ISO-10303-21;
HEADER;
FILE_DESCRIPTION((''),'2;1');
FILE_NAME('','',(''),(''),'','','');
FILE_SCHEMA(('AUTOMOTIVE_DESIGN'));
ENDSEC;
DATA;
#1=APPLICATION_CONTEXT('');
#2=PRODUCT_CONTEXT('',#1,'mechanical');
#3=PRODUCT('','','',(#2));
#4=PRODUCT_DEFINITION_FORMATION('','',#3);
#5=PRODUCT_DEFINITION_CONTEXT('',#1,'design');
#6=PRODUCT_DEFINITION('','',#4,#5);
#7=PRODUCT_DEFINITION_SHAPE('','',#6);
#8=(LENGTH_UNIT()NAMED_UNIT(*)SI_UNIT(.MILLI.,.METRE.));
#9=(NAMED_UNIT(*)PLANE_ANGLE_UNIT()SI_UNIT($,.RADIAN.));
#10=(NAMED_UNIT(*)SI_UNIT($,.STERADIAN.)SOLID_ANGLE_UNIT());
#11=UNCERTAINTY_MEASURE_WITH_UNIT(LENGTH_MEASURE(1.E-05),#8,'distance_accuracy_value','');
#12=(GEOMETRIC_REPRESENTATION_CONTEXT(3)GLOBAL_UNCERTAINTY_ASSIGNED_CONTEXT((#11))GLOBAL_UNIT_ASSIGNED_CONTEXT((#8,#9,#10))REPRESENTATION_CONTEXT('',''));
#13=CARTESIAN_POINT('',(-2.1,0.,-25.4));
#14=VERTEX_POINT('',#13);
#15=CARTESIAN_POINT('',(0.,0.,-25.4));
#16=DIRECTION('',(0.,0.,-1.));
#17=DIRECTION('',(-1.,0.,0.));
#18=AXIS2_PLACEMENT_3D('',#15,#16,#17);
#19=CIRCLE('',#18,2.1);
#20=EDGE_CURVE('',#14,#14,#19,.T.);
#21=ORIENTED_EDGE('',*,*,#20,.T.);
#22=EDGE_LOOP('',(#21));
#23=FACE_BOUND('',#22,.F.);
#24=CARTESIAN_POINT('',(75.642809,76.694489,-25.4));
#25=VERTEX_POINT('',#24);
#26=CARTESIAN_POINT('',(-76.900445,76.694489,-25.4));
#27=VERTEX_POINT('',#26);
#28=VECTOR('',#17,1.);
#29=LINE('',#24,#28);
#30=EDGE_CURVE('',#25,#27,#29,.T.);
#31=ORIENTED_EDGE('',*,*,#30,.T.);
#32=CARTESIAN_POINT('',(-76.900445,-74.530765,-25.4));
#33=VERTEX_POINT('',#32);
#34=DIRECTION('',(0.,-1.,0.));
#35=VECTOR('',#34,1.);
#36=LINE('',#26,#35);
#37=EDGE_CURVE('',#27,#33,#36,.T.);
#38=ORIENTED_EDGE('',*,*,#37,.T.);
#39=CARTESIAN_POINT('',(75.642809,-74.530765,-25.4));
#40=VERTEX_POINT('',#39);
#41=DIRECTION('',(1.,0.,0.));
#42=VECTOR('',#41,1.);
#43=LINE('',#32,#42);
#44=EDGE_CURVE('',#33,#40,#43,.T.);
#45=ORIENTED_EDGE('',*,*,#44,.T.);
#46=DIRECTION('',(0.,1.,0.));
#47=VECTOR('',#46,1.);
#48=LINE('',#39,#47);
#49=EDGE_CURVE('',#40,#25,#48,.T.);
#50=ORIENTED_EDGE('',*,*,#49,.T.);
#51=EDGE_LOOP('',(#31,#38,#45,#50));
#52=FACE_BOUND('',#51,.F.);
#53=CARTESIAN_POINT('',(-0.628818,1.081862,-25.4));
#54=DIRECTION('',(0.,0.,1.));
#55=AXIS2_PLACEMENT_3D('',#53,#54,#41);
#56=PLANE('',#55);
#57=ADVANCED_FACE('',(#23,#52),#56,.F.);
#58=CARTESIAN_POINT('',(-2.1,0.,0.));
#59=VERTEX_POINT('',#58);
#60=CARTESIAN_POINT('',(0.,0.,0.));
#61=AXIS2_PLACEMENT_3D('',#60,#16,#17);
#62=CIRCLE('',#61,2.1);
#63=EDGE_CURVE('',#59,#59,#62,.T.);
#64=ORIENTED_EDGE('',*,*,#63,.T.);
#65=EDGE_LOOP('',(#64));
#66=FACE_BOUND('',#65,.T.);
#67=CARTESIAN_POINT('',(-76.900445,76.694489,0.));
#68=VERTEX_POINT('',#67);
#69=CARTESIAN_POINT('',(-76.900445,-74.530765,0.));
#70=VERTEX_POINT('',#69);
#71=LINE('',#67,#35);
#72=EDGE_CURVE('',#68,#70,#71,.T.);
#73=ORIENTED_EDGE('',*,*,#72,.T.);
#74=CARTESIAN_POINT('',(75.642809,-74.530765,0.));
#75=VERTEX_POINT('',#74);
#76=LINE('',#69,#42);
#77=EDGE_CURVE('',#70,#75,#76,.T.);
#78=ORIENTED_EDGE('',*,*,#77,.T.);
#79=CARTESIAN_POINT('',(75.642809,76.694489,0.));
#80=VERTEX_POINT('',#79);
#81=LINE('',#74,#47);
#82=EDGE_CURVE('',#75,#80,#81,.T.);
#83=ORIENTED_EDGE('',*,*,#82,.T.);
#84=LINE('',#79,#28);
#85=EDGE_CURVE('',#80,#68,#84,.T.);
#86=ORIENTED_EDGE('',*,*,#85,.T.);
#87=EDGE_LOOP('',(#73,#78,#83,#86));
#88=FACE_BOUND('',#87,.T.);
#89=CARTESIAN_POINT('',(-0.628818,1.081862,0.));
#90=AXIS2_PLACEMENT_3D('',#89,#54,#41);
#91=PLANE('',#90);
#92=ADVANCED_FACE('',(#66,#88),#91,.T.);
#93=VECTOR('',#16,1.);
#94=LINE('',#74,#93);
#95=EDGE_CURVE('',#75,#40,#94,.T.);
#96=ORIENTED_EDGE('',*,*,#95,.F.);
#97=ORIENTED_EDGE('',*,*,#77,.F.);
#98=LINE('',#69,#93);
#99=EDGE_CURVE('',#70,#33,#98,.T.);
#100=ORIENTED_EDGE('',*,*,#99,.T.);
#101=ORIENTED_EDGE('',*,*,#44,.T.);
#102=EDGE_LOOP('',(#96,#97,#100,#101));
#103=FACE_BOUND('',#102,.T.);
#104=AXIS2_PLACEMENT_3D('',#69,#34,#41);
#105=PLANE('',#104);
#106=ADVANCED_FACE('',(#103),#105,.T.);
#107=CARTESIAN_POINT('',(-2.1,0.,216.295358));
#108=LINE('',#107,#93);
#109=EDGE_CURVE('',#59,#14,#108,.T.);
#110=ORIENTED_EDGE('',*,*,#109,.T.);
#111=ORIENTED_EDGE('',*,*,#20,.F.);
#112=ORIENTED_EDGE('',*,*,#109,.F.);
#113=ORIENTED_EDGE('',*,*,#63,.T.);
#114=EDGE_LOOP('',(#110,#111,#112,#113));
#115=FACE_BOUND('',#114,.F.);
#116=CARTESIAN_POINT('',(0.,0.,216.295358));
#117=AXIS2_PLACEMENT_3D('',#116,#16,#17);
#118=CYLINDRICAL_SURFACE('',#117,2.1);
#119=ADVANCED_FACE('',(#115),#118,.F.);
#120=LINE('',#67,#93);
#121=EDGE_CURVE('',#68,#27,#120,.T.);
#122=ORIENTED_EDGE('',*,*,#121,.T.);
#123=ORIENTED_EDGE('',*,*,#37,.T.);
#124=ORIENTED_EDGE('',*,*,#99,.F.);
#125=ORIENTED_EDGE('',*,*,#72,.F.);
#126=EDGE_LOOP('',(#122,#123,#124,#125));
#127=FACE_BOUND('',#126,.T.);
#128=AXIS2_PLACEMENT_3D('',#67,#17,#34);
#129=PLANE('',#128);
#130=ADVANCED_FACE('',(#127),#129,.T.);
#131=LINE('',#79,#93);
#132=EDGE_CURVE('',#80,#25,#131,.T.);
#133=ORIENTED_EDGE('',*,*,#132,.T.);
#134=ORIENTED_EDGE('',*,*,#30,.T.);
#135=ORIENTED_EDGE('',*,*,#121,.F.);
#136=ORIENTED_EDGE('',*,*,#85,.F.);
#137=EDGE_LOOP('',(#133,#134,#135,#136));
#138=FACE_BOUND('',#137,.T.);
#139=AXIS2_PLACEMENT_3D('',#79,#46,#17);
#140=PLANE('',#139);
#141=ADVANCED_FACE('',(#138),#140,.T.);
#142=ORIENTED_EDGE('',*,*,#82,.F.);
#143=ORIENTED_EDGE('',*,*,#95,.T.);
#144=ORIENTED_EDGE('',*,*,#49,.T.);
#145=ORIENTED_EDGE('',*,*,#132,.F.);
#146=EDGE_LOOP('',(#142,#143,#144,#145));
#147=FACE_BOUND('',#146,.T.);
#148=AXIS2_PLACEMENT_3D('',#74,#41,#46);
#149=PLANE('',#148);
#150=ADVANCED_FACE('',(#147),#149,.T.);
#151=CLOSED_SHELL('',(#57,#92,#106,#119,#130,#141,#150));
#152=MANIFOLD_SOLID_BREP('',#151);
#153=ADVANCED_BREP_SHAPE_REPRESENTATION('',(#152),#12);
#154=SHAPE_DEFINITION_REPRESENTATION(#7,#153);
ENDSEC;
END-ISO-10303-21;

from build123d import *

# Parameters (mm, degrees)
F1_DEPTH = 25.4
F3_D     = 4.2


with BuildPart() as f1:
    # F0 (on Top) → F1 (new body)
    with BuildSketch(Plane.XY):
        Polygon((75.6428092718, -74.5307654142), (75.6428092718, 0), (75.6428092718, 76.6944885254), (-76.9004449248, 76.6944885254), (-76.9004449248, -74.5307654142), align=None)
    extrude(amount=-F1_DEPTH)

    # F3 (through all)
    with Locations(Plane.XY):
        with Locations((0, 0)):
            Hole(F3_D / 2)


solid = f1.part
